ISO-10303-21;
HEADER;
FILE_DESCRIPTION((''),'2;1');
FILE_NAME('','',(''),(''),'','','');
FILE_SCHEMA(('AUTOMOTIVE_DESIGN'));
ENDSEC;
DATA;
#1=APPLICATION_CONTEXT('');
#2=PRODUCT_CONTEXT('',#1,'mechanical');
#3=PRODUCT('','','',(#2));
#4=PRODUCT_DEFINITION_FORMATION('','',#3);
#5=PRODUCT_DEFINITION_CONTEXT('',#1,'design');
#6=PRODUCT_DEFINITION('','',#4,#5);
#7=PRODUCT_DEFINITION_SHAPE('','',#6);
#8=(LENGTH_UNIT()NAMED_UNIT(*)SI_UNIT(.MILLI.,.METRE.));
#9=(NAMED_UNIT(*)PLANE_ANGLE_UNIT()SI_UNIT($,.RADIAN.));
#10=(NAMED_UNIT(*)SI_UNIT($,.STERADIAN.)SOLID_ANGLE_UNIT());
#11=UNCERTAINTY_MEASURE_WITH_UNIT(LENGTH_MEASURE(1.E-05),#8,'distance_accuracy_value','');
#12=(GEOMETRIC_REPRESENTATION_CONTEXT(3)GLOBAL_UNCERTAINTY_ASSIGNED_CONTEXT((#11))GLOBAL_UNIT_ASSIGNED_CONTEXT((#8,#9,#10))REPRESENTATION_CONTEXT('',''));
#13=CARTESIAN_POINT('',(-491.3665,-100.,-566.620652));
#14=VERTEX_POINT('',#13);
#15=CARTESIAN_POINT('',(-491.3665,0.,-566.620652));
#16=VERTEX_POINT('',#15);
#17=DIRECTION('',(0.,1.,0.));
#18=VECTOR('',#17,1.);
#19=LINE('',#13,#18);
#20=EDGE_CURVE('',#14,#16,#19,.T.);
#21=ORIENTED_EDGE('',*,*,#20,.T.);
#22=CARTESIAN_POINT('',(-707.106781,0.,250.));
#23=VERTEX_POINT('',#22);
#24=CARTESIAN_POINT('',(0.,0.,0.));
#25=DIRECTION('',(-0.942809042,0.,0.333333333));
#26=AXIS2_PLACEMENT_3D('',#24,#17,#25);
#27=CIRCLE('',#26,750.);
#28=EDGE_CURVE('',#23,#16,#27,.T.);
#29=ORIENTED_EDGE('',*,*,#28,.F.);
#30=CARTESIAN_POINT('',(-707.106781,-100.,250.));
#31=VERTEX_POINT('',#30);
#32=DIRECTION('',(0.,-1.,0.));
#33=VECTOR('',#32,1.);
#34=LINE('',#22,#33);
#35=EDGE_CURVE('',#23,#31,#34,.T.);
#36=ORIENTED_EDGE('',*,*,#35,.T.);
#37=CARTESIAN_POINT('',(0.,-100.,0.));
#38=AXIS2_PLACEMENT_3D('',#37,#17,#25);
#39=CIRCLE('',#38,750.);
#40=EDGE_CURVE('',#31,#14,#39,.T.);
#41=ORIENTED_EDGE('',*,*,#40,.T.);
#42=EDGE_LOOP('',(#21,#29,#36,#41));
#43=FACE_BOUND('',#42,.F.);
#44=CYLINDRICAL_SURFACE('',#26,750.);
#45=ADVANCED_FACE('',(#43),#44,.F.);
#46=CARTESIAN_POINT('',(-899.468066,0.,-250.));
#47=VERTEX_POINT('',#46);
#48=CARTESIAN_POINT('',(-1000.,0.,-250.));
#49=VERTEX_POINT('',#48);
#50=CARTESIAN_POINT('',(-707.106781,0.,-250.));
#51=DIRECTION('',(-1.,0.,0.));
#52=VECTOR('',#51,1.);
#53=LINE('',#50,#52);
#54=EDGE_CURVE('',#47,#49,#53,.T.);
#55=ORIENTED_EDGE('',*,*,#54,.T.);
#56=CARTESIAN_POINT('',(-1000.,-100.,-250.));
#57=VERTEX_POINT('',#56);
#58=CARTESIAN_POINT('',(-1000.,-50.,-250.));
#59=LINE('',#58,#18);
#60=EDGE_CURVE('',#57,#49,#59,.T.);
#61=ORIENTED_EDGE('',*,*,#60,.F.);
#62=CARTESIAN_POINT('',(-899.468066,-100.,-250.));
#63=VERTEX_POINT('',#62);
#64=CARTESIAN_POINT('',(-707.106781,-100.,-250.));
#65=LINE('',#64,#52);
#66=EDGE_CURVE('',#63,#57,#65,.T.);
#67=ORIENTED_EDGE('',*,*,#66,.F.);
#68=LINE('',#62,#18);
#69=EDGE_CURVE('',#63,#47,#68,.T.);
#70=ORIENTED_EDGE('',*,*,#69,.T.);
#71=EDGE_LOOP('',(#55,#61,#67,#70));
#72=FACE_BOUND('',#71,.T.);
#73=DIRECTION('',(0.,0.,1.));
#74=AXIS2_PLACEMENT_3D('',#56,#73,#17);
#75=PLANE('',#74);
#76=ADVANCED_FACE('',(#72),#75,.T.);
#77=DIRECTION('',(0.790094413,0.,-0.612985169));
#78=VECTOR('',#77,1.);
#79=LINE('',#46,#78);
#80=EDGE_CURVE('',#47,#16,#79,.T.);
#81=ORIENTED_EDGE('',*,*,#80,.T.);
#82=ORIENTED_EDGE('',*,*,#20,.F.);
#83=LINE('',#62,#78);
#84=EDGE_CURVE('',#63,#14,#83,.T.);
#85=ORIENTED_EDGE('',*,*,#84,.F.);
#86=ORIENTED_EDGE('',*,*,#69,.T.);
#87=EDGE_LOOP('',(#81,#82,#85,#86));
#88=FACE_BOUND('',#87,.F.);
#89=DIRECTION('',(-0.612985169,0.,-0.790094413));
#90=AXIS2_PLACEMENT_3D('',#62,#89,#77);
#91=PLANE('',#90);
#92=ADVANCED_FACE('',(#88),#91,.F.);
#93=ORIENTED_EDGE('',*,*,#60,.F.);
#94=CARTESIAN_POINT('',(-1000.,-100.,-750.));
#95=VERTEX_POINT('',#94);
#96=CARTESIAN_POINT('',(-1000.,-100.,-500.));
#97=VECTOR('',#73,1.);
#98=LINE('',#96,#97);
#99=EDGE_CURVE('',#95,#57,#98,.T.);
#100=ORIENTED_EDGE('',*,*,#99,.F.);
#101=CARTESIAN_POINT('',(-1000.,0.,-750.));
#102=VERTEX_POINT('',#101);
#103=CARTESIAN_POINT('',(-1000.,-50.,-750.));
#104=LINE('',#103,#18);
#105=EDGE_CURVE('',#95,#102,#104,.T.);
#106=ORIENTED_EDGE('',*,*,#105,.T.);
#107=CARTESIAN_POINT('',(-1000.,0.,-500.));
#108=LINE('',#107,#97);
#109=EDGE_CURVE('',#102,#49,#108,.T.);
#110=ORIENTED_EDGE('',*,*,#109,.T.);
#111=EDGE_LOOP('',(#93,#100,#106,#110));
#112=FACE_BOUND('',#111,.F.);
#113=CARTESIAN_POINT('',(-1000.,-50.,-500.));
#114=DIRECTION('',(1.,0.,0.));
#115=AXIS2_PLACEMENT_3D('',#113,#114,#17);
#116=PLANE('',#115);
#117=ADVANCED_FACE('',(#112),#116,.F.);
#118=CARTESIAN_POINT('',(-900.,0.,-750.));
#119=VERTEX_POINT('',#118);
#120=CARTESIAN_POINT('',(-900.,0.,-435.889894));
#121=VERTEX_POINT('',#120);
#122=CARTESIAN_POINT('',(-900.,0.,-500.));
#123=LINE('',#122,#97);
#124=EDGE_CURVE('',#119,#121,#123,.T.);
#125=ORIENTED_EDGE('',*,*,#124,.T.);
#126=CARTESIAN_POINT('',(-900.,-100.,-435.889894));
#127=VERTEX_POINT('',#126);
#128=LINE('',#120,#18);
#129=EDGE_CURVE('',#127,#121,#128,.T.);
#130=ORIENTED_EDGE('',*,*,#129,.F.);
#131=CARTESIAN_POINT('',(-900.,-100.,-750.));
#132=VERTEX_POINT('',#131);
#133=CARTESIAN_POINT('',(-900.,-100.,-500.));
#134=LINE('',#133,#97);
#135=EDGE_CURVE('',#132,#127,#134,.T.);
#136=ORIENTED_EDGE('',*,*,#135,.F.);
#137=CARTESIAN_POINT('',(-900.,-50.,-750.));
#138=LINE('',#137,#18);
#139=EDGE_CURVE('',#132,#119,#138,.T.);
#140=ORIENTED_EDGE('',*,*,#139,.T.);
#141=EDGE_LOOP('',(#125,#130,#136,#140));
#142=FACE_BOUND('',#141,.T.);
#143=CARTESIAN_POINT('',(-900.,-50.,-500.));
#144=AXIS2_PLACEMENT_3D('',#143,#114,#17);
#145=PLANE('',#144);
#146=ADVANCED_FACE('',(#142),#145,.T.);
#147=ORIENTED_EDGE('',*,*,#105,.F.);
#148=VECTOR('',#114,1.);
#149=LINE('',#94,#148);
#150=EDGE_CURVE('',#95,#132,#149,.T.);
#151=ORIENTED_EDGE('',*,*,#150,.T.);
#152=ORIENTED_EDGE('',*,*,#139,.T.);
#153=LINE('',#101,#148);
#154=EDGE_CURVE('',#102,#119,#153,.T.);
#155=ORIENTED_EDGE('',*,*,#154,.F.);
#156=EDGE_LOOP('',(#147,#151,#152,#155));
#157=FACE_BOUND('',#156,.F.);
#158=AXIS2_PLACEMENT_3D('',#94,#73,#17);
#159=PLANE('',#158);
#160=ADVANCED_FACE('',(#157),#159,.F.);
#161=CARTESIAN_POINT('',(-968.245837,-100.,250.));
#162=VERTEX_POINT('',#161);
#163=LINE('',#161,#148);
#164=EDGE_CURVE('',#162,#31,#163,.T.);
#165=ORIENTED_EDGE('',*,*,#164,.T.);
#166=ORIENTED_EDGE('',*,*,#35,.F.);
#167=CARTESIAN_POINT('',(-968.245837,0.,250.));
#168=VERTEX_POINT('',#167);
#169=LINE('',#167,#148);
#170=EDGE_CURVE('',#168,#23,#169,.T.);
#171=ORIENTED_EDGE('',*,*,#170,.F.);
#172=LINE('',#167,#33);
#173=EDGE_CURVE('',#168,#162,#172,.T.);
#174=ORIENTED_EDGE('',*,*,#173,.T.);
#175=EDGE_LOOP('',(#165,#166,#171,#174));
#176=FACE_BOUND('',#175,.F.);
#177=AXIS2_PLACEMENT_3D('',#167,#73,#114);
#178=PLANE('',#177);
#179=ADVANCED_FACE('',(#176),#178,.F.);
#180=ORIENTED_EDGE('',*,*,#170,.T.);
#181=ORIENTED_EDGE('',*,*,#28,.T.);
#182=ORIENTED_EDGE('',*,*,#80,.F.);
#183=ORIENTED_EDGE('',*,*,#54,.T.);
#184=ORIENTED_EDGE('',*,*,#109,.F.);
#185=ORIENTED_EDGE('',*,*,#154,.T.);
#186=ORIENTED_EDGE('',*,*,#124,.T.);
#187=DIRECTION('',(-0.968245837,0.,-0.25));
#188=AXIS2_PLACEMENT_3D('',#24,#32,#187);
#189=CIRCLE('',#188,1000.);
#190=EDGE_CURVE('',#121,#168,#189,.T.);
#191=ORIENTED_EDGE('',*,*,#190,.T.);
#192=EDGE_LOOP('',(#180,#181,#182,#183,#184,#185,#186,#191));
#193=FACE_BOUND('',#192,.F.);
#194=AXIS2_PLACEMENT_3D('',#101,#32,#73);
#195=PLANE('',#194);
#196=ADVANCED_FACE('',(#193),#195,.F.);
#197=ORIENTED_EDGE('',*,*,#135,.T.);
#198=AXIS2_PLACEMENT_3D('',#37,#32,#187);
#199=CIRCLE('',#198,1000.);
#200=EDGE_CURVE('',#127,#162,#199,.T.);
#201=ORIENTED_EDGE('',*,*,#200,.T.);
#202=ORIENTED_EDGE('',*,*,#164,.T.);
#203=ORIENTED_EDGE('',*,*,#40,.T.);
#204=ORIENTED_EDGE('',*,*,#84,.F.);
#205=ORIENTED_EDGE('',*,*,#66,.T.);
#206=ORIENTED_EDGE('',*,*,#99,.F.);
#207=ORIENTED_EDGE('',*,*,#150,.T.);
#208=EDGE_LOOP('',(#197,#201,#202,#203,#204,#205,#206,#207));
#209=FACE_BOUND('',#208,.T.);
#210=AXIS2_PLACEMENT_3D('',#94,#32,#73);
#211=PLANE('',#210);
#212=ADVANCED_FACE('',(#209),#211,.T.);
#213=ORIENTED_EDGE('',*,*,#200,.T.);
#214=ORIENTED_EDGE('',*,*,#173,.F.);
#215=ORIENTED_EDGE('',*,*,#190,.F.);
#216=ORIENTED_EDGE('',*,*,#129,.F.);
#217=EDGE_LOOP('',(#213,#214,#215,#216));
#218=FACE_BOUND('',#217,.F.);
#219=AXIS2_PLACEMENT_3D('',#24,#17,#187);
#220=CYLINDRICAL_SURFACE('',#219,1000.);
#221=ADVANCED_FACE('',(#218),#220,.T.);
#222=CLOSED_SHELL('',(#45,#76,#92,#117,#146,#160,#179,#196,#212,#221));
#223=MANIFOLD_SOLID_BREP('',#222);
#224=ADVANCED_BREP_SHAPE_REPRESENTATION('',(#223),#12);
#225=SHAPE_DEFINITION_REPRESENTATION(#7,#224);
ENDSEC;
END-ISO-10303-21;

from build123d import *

# Parameters (mm, degrees)
F1_DEPTH = 100
F4_W     = 100
F4_H     = 500
F5_DEPTH = 100
F7_DEPTH = 100


with BuildPart() as f1:
    # F0 (on Front) → F1 (new body)
    with BuildSketch(Plane.XZ):
        with BuildLine():
            ThreePointArc((-707.1067811865, 250), (126.8264840443, 739.1989197401), (750, 0))
            ThreePointArc((750, 0), (126.8264840443, -739.1989197401), (-707.1067811865, -250))
            Line((-707.1067811865, -250), (-968.2458365519, -250))
            ThreePointArc((-968.2458365519, -250), (126.0042924827, -992.0296962672), (1000, 0))
            ThreePointArc((1000, 0), (126.0042924827, 992.0296962672), (-968.2458365519, 250))
            Line((-968.2458365519, 250), (-707.1067811865, 250))
        make_face()
    extrude(amount=F1_DEPTH)

    # F4 (on offset) → F5 (join)
    with BuildSketch(Plane.YZ.offset(-1000)):
        with Locations((-50, -500)):
            Rectangle(F4_W, F4_H)
    extrude(amount=F5_DEPTH)

    # F6 (on face) → F7 (cut)
    with BuildSketch(Plane.XZ.offset(100)):
        with BuildLine():
            Line((-707.1067811865, -250), (-899.4680664961, -250))
            Line((-899.4680664961, -250), (-491.3664999003, -566.6206515613))
            ThreePointArc((-491.3664999003, -566.6206515613), (-619.7957007099, -422.3189427216), (-707.1067811865, -250))
        make_face()
    extrude(amount=-F7_DEPTH, mode=Mode.SUBTRACT)


solid = f1.part
